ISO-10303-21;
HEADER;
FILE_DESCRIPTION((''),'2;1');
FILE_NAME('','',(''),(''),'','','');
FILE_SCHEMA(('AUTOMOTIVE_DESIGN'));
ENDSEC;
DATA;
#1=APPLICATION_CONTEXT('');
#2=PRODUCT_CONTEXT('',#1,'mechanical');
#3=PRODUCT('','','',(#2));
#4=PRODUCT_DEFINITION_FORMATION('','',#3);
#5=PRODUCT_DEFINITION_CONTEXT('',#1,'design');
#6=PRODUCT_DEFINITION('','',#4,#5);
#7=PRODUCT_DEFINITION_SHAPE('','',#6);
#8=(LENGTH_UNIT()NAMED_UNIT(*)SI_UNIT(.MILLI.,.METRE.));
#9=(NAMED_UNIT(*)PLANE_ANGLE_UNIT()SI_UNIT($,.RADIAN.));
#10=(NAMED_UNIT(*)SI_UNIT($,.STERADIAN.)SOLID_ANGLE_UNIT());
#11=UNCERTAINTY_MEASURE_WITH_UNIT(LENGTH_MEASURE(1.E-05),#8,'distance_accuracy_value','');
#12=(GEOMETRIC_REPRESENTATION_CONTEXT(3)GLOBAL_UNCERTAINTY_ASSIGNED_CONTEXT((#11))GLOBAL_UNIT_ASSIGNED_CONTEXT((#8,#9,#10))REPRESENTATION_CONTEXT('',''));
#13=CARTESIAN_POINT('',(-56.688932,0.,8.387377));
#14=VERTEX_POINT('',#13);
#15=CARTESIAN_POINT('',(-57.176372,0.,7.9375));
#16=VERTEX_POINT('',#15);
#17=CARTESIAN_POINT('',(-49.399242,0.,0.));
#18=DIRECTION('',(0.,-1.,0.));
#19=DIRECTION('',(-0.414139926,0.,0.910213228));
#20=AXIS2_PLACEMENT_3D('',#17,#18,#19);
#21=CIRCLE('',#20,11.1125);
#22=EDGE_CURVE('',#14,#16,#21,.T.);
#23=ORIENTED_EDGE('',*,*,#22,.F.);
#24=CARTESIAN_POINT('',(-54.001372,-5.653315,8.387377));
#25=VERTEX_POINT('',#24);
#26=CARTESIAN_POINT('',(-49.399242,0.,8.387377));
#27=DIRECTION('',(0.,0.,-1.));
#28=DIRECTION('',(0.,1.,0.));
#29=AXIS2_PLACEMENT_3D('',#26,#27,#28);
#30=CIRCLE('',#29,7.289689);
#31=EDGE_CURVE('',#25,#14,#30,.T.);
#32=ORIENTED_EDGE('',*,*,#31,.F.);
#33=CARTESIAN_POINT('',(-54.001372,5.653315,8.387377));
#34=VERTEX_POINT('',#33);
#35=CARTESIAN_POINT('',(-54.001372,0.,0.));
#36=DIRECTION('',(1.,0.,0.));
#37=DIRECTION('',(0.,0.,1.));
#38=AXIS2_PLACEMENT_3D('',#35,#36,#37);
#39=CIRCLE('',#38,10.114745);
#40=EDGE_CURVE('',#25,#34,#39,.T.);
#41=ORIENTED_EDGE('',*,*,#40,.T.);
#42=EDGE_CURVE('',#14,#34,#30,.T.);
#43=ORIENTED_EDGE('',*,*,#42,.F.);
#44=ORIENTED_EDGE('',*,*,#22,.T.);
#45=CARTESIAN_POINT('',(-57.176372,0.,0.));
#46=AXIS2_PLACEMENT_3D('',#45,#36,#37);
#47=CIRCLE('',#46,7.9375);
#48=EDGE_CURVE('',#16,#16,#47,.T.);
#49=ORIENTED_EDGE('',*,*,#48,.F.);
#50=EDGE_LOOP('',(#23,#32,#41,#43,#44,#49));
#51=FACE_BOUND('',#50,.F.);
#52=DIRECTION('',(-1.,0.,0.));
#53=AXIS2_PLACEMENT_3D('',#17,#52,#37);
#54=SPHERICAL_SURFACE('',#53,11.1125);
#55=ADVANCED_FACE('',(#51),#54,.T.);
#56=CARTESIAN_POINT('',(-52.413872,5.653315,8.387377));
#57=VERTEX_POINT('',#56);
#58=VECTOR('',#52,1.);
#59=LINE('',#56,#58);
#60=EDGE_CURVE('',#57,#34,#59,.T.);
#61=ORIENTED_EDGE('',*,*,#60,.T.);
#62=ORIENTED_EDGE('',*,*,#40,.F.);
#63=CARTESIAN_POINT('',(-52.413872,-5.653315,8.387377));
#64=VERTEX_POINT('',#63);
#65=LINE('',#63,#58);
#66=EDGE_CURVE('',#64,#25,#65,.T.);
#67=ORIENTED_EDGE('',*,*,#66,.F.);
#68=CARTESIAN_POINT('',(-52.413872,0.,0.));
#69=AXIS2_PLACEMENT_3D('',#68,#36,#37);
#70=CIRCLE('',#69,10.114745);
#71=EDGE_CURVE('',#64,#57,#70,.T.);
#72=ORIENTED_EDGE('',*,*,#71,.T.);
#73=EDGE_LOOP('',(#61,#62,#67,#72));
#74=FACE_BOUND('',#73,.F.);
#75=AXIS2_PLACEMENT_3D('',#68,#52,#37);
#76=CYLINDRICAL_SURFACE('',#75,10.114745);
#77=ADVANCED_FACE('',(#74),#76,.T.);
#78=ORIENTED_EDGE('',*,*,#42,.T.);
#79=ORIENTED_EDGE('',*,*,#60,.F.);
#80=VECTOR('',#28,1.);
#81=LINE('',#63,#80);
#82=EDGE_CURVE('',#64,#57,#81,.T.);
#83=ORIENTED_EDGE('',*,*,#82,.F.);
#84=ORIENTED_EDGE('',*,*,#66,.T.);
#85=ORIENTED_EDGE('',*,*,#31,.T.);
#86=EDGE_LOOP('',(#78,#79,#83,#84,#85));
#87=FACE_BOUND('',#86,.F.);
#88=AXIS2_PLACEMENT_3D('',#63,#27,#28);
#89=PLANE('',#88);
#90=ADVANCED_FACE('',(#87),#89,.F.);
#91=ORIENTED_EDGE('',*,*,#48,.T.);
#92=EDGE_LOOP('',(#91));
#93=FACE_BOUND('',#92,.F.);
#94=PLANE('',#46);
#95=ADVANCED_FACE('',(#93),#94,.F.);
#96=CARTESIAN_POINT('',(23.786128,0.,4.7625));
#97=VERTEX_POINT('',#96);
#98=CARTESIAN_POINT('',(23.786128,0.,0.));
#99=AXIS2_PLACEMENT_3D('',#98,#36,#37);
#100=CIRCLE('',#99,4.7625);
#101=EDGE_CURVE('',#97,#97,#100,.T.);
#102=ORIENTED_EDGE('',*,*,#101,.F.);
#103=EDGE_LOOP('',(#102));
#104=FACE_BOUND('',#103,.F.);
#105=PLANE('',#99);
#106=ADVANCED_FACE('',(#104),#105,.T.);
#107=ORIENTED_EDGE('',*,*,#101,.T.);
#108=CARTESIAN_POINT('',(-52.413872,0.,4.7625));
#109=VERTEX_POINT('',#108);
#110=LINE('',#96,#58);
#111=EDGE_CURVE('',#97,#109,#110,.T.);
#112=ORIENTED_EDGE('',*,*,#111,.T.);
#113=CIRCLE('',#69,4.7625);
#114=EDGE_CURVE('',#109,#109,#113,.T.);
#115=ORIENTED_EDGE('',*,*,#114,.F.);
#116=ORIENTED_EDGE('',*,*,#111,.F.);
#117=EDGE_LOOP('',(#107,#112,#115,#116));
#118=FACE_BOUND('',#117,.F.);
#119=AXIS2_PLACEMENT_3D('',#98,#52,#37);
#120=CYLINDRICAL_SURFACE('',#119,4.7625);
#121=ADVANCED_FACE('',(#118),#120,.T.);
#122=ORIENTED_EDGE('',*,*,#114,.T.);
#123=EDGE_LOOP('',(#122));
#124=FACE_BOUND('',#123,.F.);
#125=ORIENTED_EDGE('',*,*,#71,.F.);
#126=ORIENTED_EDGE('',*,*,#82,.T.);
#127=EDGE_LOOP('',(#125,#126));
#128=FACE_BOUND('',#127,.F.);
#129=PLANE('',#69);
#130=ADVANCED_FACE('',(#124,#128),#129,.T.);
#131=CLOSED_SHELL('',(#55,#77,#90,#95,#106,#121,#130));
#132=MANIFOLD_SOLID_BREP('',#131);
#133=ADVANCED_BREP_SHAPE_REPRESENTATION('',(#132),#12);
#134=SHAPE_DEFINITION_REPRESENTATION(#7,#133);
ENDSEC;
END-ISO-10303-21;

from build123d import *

# Parameters (mm, degrees)
F3_DEPTH = 25.4


with BuildPart() as f1:
    # F0 (on Front) → F1 (revolve)
    with BuildSketch(Plane.XZ):
        with BuildLine():
            Line((-57.1763723386, 0), (-54.0013723386, 0))
            Line((-54.0013723386, 0), (-54.0013723386, 7.9375))
            Line((-54.0013723386, 7.9375), (-54.0013723386, 10.1147445013))
            ThreePointArc((-54.0013723386, 10.1147445013), (-55.6838758168, 9.1646625215), (-57.1763723386, 7.9375))
            Line((-57.1763723386, 7.9375), (-57.1763723386, 0))
        make_face()
        Polygon((-54.0013723386, 0), (-52.4138723386, 0), (23.7861276614, 0), (23.7861276614, 4.7625), (-52.4138723386, 4.7625), (-52.4138723386, 7.9375), (-52.4138723386, 10.1147445013), (-54.0013723386, 10.1147445013), (-54.0013723386, 7.9375), align=None)
    revolve(axis=Axis((-14.3138723386, 0, 0), (1, 0, 0)))

    # F2 (on face) → F3 (cut)
    with BuildSketch(Plane.YZ.offset(-52.4138723386)):
        with BuildLine():
            ThreePointArc((5.6533149467, 8.3873766125), (0, 10.1147445013), (-5.6533149467, 8.3873766125))
            Line((-5.6533149467, 8.3873766125), (5.6533149467, 8.3873766125))
        make_face()
    extrude(amount=-F3_DEPTH, mode=Mode.SUBTRACT)


solid = f1.part
